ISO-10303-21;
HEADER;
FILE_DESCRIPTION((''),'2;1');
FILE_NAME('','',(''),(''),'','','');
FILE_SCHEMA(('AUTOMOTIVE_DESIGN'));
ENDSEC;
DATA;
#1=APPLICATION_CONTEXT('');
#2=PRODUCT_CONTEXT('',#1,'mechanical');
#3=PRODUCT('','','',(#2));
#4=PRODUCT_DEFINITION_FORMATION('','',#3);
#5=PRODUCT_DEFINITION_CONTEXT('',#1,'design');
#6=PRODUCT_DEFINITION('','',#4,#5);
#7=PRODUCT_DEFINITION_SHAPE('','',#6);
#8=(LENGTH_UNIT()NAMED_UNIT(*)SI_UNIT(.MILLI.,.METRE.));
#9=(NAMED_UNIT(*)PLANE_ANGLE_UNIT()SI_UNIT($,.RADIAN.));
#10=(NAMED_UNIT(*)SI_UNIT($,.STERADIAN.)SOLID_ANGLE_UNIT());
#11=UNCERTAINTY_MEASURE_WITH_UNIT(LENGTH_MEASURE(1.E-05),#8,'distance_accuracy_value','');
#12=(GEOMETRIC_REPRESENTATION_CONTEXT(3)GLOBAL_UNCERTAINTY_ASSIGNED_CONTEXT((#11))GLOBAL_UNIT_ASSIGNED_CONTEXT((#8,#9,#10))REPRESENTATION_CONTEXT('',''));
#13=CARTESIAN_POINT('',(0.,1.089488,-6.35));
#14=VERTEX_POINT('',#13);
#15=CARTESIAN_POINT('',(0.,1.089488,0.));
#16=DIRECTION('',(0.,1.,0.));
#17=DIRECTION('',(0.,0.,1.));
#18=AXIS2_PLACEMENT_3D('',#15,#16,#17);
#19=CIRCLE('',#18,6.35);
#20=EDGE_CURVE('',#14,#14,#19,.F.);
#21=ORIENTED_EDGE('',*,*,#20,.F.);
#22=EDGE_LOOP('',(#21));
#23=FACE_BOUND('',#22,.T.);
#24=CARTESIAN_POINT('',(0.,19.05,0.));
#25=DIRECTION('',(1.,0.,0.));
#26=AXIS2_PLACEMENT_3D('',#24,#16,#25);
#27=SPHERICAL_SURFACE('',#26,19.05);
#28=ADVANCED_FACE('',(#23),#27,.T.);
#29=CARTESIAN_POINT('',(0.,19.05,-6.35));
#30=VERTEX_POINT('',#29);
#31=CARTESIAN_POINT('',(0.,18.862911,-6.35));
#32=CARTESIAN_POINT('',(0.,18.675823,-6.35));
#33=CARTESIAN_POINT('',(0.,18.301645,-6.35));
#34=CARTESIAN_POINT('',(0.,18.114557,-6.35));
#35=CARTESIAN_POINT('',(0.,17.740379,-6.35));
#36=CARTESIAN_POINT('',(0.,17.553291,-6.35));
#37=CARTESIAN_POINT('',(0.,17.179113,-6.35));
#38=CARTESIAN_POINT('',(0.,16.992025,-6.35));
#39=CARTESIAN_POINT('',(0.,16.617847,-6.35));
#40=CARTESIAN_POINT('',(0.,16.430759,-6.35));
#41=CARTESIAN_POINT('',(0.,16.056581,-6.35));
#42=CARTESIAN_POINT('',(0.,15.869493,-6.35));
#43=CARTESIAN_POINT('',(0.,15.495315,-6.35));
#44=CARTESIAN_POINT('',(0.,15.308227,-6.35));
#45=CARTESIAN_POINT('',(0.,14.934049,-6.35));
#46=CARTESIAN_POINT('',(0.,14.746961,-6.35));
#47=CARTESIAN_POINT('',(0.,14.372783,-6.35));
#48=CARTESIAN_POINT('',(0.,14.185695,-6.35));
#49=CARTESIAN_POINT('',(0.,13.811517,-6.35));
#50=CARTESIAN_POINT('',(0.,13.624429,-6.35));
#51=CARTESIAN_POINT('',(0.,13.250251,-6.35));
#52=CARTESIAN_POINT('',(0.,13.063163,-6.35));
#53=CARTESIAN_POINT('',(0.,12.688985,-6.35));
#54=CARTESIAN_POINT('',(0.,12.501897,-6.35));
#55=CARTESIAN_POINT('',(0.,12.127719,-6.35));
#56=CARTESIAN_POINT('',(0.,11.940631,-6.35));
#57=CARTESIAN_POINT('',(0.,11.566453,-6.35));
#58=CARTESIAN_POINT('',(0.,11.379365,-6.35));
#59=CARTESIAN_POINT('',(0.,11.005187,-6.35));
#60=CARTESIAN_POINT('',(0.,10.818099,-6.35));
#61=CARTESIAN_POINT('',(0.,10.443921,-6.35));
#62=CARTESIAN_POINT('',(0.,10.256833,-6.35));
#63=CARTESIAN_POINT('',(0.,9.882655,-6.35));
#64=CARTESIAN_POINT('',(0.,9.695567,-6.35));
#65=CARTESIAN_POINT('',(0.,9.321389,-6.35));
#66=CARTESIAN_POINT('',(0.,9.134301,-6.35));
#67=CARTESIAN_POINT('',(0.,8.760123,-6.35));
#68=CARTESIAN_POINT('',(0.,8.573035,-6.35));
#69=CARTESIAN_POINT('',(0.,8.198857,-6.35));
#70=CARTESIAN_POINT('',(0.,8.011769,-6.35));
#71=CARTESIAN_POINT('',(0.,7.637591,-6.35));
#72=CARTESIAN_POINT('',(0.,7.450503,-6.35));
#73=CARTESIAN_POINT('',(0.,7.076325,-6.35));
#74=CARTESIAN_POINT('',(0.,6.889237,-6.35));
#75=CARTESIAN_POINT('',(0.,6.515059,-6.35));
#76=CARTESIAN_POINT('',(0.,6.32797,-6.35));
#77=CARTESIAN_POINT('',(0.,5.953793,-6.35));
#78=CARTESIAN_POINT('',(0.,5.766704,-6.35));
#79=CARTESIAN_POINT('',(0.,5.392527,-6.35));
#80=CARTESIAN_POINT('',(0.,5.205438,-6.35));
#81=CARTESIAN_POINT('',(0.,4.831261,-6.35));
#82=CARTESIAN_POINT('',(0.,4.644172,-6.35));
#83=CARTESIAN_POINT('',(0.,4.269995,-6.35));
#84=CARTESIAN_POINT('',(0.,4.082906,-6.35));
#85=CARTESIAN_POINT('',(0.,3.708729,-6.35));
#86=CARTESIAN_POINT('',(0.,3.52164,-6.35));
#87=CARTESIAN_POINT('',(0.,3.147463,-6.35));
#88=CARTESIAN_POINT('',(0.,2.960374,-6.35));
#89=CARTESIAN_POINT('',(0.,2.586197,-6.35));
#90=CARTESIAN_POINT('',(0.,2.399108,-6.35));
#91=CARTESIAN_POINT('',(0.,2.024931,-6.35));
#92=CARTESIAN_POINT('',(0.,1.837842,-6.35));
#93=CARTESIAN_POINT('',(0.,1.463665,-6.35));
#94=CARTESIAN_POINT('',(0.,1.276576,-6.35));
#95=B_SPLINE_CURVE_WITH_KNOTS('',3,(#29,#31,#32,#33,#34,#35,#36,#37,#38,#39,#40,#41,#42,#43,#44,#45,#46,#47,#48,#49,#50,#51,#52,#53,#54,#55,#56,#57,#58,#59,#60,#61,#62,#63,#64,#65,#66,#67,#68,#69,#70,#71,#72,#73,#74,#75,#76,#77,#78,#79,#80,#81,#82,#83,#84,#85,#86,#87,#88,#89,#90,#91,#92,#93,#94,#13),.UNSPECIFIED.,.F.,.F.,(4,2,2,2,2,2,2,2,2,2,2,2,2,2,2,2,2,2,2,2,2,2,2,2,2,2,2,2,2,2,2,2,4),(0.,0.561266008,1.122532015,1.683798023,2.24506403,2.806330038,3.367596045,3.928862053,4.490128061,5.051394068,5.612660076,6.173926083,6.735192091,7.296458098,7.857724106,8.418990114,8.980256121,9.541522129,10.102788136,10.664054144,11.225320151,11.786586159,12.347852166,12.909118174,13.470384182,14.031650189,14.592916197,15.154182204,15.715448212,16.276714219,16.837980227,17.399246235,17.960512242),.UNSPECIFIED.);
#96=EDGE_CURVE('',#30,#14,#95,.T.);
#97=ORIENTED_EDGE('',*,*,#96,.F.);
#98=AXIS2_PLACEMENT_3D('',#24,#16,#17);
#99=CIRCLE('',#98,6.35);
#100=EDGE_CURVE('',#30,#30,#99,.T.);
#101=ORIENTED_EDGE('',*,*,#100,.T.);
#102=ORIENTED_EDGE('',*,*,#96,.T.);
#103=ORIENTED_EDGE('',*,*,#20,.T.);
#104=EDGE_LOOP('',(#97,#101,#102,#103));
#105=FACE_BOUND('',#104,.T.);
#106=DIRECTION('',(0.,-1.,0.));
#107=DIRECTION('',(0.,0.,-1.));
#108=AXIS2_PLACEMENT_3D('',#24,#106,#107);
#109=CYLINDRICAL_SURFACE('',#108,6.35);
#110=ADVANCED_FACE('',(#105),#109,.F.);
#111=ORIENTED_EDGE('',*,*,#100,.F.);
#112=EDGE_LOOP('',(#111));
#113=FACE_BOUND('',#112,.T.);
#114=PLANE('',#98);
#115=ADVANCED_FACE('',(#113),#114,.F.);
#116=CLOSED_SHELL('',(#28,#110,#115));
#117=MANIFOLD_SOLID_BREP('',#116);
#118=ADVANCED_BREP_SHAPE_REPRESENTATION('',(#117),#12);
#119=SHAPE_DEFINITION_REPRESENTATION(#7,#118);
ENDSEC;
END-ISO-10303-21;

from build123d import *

# Parameters (mm, degrees)
SKETCH2_R          = 6.35
CUT_EXTRUDE1_DEPTH = 19.05


with BuildPart() as part:
    # Sketch1 → Revolve1 (revolve)
    with BuildSketch(Plane.XY):
        with BuildLine():
            Line((0, 38.1), (0, 0))
            ThreePointArc((0, 0), (19.05, 19.05), (0, 38.1))
        make_face()
    revolve(axis=Axis((0, 49.026792453, 0), (0, -1, 0)))

    # Sketch2 → Cut-Extrude1 (cut)
    with BuildSketch(Plane(origin=(0, 0, 0), x_dir=(1, 0, 0), z_dir=(0, 1, 0))):
        with Locations(Location((0, 0, 0), (0, 0, 90))):
            Circle(SKETCH2_R)
    extrude(amount=CUT_EXTRUDE1_DEPTH, mode=Mode.SUBTRACT)


solid = part.part
